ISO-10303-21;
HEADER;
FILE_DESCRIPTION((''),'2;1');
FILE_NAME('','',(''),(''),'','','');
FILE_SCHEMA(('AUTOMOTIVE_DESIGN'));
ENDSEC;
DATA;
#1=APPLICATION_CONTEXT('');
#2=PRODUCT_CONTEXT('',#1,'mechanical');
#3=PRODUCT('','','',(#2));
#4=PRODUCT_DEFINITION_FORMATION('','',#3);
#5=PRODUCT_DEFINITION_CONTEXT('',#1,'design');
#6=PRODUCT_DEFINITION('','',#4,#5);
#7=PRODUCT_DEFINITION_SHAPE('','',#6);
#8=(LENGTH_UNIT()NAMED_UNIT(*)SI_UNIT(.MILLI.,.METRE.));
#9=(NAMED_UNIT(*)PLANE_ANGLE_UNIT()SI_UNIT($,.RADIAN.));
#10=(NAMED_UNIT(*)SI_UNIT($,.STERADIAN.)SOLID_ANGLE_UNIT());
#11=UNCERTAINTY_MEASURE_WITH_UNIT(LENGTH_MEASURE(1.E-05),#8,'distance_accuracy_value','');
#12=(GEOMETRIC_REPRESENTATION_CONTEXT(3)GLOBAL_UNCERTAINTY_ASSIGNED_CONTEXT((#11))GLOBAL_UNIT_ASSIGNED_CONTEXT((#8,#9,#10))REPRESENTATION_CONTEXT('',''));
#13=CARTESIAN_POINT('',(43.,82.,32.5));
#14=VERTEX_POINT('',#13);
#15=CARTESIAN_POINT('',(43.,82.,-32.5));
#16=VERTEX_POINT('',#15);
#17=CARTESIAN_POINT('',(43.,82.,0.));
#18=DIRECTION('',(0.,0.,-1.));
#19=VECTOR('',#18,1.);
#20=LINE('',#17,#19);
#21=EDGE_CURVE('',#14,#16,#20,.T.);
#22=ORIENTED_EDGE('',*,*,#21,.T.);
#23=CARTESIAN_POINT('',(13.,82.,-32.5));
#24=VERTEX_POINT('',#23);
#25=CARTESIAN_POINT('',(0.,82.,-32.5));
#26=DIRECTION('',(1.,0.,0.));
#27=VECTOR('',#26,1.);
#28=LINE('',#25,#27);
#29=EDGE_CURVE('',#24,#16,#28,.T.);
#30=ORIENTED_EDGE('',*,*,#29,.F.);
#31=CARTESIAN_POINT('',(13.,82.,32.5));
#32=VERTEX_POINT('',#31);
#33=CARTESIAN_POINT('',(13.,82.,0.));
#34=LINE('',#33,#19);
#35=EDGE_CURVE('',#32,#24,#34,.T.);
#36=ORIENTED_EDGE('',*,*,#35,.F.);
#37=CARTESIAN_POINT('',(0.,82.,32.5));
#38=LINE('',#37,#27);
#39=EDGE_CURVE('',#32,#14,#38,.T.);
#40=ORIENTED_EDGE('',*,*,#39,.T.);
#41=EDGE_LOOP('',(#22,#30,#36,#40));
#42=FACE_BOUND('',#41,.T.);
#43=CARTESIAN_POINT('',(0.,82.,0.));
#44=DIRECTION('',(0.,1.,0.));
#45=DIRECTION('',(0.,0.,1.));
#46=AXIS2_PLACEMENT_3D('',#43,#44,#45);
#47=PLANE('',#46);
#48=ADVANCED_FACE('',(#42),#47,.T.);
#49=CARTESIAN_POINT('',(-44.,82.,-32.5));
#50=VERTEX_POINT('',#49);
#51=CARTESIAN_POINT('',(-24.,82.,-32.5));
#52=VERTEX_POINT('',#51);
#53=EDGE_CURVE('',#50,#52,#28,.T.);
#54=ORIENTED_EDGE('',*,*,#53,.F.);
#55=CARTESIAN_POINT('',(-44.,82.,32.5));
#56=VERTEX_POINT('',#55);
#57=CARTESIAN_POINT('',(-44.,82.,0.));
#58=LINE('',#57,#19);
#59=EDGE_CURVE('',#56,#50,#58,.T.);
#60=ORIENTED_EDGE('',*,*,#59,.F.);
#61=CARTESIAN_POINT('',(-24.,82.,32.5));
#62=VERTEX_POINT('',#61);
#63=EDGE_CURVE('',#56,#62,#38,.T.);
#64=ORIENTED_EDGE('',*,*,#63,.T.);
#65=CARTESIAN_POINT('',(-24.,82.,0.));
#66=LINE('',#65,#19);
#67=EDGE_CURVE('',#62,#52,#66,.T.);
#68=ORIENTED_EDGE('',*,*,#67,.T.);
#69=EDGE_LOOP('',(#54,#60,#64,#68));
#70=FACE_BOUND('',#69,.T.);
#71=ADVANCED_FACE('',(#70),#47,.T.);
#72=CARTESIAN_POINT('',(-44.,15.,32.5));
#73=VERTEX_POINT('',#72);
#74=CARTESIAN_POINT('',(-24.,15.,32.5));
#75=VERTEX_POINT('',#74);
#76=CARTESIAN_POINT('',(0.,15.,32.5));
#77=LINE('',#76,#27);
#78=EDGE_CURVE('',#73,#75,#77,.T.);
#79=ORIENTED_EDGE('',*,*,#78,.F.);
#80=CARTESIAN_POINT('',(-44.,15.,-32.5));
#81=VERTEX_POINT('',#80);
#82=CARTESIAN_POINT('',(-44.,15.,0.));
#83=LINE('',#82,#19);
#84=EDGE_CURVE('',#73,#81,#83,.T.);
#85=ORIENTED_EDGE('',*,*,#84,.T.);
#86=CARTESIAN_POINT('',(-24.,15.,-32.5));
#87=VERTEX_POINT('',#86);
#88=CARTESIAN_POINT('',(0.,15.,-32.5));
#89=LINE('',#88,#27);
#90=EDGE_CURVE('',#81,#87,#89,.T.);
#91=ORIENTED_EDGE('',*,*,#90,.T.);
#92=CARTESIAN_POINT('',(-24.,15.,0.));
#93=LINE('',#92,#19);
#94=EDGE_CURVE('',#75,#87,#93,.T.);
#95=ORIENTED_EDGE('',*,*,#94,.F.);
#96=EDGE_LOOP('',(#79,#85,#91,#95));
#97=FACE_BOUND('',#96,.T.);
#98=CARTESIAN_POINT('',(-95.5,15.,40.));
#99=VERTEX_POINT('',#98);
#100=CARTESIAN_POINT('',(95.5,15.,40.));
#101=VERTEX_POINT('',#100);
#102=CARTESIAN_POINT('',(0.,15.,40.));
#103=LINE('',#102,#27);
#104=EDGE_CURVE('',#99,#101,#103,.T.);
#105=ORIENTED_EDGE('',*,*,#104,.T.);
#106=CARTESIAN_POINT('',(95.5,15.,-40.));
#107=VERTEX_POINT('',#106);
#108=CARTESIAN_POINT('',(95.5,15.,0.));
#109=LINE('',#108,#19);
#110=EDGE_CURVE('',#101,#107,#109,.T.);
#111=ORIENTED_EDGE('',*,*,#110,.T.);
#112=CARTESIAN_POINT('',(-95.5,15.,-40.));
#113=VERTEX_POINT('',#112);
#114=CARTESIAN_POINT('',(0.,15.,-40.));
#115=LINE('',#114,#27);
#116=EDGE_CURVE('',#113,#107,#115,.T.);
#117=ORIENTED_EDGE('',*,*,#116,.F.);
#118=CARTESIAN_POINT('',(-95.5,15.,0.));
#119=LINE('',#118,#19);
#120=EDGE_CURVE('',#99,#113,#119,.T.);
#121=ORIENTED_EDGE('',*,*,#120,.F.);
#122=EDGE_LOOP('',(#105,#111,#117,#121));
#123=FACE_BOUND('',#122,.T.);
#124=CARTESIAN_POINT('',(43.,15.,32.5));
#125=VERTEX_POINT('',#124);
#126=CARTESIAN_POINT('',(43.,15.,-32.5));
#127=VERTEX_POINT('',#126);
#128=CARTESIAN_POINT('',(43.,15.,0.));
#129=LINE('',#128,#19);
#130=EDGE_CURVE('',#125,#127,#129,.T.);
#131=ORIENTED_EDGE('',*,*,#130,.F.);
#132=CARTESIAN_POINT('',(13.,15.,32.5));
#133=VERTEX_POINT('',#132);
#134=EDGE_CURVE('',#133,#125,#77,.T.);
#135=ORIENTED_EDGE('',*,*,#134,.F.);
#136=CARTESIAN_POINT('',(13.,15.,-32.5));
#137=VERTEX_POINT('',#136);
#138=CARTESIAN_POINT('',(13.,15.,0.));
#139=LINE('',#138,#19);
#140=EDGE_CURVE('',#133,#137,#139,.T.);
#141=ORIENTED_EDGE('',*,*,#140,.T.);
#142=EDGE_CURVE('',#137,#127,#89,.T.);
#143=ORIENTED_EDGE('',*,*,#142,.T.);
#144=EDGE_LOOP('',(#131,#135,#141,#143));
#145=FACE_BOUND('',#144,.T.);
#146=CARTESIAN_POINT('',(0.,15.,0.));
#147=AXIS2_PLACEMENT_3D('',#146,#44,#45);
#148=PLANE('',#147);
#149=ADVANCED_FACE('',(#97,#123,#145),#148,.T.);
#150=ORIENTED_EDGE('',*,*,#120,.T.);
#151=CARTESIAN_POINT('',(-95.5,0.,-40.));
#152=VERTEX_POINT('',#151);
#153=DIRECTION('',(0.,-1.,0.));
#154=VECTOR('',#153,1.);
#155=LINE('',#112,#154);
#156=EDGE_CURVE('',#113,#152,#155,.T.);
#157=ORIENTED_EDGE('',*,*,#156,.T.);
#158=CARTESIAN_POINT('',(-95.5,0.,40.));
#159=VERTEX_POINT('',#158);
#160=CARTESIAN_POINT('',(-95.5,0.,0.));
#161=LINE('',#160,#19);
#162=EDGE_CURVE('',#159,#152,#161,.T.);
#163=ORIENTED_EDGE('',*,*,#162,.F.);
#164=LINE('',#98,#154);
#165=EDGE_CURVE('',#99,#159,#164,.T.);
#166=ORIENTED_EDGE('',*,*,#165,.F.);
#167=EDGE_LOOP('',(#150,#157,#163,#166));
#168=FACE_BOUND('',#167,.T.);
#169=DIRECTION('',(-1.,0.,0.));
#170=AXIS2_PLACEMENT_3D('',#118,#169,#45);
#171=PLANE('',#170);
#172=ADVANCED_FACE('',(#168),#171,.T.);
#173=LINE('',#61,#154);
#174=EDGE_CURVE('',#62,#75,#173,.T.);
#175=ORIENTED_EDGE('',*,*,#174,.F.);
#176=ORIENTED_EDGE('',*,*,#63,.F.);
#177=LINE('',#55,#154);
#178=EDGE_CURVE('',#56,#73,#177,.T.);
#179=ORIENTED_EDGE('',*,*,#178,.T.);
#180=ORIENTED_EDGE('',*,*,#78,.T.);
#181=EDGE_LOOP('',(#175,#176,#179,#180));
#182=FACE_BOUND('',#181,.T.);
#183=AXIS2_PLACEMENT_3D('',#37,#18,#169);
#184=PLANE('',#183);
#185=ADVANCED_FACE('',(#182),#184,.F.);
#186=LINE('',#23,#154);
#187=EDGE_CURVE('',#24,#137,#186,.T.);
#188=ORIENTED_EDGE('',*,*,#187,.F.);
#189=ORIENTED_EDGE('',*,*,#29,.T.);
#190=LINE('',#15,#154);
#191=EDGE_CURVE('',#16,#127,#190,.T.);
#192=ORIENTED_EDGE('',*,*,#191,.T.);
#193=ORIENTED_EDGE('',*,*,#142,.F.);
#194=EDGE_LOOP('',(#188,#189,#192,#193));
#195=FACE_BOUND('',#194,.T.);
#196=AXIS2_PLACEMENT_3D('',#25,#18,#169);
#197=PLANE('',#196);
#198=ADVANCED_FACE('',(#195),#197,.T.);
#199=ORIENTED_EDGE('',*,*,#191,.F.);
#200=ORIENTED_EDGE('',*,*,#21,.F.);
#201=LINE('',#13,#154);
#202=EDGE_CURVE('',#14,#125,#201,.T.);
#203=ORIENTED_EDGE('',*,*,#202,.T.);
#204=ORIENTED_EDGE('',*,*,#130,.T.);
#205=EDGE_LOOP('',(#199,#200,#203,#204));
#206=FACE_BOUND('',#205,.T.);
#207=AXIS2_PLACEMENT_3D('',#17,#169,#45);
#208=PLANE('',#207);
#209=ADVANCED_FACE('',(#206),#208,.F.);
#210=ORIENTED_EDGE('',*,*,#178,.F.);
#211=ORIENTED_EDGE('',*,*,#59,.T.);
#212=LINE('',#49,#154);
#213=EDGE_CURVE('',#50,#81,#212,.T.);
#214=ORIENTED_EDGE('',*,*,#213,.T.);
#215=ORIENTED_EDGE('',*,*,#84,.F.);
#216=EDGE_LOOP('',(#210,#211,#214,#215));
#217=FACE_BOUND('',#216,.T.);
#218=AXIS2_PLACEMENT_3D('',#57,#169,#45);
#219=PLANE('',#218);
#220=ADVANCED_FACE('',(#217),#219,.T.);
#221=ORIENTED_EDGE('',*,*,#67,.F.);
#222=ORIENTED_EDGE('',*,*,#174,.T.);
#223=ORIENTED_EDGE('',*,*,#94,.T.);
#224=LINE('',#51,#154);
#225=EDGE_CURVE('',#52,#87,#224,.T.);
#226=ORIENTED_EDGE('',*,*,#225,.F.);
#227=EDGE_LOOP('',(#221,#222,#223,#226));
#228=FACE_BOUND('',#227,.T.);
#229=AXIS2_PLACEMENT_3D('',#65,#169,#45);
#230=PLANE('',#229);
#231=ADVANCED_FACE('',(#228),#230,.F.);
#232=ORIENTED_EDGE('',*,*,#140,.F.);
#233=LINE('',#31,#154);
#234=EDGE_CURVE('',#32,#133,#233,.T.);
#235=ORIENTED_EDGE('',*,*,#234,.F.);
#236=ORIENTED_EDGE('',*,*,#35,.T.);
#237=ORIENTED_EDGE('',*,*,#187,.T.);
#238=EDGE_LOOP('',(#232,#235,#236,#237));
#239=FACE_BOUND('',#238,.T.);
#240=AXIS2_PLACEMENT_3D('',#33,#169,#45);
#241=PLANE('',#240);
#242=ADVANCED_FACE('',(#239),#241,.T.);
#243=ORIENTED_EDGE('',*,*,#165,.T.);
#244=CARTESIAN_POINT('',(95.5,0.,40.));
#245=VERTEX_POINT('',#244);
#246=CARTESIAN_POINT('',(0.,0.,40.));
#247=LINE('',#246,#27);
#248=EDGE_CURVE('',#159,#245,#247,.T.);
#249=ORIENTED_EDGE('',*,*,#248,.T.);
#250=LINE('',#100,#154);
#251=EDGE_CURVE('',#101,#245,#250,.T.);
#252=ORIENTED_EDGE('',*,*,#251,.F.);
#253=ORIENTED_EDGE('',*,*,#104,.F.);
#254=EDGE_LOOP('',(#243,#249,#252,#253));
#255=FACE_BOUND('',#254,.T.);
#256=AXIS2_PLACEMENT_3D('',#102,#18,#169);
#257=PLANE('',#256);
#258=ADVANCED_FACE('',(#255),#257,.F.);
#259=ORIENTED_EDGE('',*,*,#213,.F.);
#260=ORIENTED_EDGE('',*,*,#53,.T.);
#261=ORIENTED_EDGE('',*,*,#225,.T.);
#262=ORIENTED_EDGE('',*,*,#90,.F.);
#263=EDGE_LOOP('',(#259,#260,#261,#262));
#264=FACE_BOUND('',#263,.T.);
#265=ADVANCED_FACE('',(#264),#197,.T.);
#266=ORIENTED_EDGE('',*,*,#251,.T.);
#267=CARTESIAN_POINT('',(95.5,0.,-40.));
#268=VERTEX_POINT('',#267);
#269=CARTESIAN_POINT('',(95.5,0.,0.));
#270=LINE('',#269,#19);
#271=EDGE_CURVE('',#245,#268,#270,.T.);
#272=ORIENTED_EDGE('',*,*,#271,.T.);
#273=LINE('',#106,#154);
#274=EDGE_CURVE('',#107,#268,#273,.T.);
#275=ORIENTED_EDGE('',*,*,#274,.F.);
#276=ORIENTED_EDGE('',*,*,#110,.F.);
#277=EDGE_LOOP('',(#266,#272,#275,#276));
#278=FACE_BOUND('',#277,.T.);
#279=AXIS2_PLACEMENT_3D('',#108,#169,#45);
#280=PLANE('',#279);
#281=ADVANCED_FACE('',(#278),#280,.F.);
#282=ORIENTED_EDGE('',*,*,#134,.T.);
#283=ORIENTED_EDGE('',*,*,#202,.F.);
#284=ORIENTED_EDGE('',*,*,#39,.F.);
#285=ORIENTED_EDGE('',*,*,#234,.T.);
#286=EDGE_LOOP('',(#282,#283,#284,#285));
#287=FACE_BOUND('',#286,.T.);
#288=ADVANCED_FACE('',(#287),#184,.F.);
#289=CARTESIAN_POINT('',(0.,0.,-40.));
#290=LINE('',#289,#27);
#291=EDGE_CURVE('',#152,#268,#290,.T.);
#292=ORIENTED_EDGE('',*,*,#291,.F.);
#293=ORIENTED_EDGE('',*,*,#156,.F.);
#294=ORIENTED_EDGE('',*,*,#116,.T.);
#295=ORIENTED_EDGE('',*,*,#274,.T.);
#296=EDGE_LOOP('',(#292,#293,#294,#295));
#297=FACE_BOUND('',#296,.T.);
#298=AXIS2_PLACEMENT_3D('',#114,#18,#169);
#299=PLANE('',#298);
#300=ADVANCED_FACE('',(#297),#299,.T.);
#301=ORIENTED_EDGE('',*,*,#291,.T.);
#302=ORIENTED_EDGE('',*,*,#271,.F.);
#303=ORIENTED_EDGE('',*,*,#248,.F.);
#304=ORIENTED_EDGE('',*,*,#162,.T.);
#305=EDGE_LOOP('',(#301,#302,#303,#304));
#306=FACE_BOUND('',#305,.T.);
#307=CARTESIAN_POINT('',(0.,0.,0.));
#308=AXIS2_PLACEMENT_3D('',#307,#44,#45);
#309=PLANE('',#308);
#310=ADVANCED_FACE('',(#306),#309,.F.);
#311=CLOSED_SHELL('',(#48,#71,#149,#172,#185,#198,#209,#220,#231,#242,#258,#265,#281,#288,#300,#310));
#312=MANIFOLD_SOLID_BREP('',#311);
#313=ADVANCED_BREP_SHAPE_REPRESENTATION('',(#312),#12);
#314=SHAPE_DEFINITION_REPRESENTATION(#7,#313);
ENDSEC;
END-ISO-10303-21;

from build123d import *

# Parameters (mm, degrees)
SKIZZE1_R                       = 40
AUFSATZ_LINEAR_AUSTRAGEN1_DEPTH = 15
SKIZZE2_W                       = 30
SKIZZE2_H                       = 65
SKIZZE2_W_2                     = 20
AUFSATZ_LINEAR_AUSTRAGEN2_DEPTH = 67


with BuildPart() as part:
    # Skizze1 → Aufsatz-Linear austragen1 (new body)
    with BuildSketch(Plane(origin=(0, 0, 0), x_dir=(1, 0, 0), z_dir=(0, 1, 0))):
        with BuildLine():
            Line((-95.5, 40), (-95.5, -40))
            Line((-95.5, -40), (55.5, -40))
            ThreePointArc((55.5, -40), (15.5, 0), (55.5, 40))
            Line((55.5, 40), (-95.5, 40))
        make_face()
        with Locations((55.5, 0)):
            Circle(SKIZZE1_R)
        with BuildLine():
            Line((95.5, 40), (55.5, 40))
            ThreePointArc((55.5, 40), (83.784271247, 28.284271247), (95.5, 0))
            Line((95.5, 0), (95.5, 40))
        make_face()
        with BuildLine():
            ThreePointArc((95.5, 0), (83.784271247, -28.284271247), (55.5, -40))
            Line((55.5, -40), (95.5, -40))
            Line((95.5, -40), (95.5, 0))
        make_face()
    extrude(amount=AUFSATZ_LINEAR_AUSTRAGEN1_DEPTH)

    # Skizze2 → Aufsatz-Linear austragen2 (add)
    with BuildSketch(Plane(origin=(0, 15, 0), x_dir=(1, 0, 0), z_dir=(0, 1, 0))):
        with Locations((28, 0)):
            Rectangle(SKIZZE2_W, SKIZZE2_H)
        with Locations((-34, 0)):
            Rectangle(SKIZZE2_W_2, SKIZZE2_H)
    extrude(amount=AUFSATZ_LINEAR_AUSTRAGEN2_DEPTH)


solid = part.part
